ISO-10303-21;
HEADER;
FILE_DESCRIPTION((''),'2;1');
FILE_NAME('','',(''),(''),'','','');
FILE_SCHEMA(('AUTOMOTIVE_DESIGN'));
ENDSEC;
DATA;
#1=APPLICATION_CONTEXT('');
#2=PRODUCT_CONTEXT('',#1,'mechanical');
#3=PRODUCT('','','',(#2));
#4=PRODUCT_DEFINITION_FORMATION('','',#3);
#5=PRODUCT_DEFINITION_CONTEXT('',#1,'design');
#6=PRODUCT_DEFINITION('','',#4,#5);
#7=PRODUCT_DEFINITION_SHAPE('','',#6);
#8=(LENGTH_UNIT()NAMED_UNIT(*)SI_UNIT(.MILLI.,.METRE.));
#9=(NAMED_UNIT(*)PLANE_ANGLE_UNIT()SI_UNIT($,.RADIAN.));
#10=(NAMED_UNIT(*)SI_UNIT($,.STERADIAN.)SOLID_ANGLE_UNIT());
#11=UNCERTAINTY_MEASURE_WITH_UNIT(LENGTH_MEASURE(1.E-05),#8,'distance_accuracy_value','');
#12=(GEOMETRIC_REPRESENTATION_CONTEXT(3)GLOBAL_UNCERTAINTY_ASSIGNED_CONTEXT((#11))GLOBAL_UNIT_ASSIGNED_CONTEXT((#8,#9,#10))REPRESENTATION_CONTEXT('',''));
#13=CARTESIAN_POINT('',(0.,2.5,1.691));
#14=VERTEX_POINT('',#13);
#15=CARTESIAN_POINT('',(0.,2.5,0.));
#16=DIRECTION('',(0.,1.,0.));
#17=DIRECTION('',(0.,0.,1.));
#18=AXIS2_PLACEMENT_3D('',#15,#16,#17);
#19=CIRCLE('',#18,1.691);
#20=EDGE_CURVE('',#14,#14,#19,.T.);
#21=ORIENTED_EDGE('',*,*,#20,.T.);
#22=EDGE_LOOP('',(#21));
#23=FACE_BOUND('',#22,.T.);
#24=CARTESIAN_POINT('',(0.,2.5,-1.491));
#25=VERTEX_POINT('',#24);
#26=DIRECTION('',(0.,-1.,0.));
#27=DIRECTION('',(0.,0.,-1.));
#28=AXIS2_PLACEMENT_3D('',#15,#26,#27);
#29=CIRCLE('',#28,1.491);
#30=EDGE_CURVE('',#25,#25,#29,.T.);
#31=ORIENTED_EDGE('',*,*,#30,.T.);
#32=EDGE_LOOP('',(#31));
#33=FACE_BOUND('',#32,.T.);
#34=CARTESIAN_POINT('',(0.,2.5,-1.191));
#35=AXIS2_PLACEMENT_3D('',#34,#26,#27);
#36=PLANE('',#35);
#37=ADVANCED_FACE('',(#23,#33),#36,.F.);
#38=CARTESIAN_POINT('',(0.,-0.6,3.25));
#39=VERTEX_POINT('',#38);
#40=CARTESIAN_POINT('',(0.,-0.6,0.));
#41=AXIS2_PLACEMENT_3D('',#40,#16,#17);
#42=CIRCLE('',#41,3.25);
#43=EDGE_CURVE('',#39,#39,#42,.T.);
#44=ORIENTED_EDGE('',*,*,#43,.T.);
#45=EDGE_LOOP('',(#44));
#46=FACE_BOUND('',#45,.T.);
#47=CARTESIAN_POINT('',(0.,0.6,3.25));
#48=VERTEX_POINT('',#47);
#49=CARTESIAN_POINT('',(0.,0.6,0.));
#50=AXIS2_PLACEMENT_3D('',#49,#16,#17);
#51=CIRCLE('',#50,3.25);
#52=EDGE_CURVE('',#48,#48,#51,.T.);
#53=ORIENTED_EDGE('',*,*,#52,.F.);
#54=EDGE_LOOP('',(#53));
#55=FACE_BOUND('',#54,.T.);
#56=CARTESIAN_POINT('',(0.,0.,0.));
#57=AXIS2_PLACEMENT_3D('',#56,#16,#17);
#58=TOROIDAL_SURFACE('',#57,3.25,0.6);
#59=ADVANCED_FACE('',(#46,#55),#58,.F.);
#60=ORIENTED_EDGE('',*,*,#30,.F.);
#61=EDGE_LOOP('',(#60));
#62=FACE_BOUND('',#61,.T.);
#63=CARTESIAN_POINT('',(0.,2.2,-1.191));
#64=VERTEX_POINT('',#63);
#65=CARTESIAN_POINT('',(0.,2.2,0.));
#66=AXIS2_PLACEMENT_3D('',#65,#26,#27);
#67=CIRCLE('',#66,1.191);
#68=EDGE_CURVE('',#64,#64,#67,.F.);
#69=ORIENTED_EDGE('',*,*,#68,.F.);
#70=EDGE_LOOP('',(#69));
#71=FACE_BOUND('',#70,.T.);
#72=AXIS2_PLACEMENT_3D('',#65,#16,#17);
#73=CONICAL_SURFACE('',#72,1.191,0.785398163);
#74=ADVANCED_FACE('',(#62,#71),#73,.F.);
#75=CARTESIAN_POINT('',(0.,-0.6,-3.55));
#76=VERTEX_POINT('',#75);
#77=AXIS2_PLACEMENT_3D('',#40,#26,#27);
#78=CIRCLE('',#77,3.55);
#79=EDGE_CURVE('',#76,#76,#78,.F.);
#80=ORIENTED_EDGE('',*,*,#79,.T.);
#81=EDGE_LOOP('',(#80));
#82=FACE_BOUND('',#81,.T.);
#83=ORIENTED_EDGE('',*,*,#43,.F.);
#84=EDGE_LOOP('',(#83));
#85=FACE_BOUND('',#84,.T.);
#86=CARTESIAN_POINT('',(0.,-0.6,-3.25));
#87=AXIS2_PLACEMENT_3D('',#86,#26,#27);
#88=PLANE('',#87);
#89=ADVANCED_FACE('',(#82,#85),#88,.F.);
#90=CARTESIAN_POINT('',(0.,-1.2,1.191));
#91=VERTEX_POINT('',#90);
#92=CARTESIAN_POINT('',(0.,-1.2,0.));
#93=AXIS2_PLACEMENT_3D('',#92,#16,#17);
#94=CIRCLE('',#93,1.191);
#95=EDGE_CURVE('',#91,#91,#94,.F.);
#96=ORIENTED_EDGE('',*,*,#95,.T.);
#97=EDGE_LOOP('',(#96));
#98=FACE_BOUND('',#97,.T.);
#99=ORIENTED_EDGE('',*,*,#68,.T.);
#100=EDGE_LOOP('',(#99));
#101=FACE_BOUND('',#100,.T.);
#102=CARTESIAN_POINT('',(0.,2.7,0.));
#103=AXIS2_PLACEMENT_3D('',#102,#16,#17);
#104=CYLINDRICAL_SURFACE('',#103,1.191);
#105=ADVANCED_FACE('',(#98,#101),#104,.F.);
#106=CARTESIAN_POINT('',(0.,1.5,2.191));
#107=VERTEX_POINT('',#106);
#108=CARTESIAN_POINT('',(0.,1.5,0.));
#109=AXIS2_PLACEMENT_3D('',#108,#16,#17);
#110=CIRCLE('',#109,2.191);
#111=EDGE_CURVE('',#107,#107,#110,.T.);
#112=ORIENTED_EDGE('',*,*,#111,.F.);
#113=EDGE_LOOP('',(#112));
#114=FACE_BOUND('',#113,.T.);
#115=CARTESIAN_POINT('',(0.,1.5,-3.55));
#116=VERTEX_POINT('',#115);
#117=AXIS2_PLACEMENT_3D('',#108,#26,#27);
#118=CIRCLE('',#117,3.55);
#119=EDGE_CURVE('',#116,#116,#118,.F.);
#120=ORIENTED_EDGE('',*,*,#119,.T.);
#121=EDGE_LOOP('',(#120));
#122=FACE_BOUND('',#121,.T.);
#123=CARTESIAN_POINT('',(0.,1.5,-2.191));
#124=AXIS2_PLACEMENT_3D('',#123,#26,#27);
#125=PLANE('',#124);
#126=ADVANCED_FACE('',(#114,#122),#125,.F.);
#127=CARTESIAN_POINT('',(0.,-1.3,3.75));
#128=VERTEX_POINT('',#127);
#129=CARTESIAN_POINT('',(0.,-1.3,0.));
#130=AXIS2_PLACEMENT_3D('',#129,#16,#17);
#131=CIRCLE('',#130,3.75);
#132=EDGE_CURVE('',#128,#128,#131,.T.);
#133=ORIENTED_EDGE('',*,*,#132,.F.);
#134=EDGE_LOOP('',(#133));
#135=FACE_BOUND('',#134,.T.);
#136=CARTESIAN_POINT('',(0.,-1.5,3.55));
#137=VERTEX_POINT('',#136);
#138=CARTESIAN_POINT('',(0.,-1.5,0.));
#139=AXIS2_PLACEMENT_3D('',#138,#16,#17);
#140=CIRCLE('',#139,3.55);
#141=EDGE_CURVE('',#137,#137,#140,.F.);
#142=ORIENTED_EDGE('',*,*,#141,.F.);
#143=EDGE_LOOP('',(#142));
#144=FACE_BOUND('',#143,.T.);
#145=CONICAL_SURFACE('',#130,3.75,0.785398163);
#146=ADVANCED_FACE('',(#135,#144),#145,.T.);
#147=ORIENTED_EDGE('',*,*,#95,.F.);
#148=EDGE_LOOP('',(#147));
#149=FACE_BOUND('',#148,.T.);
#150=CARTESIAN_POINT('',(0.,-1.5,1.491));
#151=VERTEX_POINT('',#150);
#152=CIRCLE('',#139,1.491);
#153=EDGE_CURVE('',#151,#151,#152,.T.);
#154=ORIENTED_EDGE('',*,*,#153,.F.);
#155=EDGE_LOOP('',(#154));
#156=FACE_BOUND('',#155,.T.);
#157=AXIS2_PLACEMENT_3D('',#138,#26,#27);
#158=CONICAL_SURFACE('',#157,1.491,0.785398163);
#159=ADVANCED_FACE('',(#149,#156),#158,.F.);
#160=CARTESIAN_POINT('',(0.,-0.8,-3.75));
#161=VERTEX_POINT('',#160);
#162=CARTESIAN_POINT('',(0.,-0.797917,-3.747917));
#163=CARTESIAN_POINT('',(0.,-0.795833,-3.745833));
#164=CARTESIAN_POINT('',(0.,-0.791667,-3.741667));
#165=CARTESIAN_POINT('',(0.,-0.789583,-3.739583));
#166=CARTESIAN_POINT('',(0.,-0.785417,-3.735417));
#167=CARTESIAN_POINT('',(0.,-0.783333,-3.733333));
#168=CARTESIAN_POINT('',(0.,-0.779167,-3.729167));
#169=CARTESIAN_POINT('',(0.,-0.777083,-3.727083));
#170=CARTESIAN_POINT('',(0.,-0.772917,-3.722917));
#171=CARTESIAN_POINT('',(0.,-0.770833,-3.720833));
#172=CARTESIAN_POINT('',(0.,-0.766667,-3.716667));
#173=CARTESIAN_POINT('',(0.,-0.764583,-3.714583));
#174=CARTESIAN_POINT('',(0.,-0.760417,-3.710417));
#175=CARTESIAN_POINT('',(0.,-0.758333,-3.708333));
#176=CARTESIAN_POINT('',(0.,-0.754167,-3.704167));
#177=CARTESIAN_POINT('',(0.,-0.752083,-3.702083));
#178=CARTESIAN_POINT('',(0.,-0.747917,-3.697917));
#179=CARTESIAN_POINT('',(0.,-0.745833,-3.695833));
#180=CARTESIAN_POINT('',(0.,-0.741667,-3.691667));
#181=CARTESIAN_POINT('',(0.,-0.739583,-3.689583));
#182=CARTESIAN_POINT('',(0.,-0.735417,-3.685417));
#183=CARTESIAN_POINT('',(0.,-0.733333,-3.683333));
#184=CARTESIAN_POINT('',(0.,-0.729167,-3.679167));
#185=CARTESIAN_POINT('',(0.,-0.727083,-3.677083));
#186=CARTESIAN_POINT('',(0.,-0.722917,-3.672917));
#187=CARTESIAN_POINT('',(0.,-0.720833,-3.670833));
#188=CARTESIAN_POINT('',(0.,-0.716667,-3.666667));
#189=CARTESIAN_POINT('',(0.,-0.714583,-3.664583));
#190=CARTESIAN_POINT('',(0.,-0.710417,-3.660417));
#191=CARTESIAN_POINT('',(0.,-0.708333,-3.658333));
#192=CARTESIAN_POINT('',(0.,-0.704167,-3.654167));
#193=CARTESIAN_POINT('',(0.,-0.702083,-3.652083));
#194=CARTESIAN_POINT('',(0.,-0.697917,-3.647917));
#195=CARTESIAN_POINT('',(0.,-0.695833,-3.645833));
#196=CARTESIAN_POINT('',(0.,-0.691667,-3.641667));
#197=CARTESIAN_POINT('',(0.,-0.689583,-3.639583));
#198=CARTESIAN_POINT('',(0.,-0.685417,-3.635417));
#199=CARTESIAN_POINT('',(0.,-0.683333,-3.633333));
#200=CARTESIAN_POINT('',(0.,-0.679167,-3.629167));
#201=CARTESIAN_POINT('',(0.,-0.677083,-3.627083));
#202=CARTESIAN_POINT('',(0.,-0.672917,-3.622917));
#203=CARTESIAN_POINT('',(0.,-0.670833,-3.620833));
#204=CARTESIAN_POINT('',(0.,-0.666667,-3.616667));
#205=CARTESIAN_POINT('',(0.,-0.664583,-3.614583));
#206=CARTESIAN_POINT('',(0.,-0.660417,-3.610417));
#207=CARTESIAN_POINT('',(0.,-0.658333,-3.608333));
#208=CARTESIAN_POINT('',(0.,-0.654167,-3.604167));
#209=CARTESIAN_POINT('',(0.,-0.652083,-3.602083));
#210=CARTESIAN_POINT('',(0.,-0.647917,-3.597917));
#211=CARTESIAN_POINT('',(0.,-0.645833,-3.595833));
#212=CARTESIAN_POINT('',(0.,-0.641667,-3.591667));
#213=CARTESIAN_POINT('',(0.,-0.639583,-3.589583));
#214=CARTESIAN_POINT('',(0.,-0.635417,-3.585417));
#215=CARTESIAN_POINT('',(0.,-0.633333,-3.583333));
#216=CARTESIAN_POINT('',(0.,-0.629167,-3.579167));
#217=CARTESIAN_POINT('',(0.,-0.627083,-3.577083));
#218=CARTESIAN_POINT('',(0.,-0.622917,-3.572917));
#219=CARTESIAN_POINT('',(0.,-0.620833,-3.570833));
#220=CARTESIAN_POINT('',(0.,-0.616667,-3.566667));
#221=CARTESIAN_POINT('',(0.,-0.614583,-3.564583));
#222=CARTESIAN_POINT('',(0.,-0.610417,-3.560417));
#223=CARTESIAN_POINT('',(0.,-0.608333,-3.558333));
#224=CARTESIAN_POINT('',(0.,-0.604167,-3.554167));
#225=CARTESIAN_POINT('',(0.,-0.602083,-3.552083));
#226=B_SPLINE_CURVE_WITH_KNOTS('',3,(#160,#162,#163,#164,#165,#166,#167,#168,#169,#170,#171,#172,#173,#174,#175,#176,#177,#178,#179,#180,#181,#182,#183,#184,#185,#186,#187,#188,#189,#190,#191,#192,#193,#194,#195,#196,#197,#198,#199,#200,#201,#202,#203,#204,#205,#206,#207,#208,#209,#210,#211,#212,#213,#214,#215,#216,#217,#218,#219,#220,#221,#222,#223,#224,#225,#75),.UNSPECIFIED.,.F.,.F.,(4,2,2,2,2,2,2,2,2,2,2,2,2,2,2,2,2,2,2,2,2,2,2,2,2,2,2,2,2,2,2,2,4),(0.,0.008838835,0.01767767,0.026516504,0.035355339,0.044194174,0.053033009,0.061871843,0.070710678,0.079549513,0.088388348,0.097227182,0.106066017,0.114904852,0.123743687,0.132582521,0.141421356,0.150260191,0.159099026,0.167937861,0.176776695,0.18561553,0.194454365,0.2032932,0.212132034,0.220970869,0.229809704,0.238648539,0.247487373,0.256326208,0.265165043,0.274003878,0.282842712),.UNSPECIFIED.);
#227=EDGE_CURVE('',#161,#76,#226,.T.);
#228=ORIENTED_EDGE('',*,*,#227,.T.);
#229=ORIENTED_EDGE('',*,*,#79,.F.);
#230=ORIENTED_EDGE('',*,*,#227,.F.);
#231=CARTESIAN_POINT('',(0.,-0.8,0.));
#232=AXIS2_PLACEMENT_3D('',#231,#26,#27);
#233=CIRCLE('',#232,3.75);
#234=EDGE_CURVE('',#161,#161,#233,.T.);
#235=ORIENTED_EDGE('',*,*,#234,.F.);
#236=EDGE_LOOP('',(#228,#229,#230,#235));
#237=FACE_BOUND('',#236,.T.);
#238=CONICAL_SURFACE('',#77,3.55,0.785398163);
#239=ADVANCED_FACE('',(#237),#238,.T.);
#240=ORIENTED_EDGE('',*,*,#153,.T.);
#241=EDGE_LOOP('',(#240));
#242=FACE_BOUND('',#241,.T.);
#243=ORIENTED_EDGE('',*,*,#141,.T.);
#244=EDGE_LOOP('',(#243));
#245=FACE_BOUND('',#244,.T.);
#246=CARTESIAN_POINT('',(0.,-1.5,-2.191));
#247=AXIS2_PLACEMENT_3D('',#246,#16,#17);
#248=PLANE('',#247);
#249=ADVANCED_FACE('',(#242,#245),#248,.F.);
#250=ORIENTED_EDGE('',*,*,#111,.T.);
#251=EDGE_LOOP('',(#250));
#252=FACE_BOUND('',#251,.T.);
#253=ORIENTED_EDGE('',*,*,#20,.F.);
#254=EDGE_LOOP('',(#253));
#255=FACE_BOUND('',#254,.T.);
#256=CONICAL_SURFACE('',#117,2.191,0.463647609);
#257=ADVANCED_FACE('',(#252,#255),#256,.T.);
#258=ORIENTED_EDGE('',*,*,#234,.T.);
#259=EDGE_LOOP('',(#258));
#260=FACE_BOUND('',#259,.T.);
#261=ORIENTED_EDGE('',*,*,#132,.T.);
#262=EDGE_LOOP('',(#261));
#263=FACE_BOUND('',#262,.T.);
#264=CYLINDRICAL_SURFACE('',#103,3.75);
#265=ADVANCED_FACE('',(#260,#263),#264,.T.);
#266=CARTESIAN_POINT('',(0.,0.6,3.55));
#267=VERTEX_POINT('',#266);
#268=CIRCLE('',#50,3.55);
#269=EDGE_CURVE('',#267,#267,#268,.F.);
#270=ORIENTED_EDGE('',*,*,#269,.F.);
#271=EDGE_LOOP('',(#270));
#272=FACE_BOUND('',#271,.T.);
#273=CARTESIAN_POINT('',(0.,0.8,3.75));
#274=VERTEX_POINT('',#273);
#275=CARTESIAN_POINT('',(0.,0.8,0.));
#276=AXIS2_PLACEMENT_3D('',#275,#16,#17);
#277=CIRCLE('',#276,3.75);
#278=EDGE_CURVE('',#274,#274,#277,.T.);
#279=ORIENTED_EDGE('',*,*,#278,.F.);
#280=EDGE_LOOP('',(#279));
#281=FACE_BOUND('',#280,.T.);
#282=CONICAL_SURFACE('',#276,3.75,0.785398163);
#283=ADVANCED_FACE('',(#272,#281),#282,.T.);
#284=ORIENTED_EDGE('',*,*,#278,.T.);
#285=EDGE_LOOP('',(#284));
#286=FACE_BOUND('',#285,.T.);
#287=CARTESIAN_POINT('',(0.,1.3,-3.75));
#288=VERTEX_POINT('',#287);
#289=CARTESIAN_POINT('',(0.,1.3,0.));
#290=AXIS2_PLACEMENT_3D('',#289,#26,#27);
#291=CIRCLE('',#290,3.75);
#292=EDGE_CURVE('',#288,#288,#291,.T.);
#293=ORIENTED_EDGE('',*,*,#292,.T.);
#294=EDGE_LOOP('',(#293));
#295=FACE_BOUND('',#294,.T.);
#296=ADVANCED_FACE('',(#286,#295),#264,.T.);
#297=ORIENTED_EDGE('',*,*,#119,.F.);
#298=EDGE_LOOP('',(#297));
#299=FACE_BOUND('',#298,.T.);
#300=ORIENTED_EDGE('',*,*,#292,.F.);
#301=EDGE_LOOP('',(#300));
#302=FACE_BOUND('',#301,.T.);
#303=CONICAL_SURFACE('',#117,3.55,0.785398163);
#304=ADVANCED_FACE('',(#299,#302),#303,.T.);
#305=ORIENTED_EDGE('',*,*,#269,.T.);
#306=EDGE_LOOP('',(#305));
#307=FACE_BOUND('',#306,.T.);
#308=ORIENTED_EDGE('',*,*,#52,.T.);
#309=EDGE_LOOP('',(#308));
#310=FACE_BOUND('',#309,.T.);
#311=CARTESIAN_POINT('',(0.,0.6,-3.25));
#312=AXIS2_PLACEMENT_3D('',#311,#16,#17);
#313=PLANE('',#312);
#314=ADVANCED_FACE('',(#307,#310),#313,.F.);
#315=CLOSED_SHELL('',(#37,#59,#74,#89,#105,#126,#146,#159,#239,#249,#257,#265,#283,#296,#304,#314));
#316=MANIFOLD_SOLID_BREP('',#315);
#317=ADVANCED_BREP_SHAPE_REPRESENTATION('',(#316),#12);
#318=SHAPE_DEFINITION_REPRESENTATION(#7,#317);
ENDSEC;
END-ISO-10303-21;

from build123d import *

# Parameters (mm, degrees)
CHAMFER1_SIZE = 0.3
CHAMFER2_SIZE = 0.2


with BuildPart() as part:
    # Sketch1 → Revolve1 (revolve)
    with BuildSketch(Plane(origin=(0, 0, 0), x_dir=(0, 0, -1), z_dir=(1, 0, 0)), mode=Mode.PRIVATE) as revolve1_sk:
        with BuildLine():
            Line((1.191, 2.5), (1.191, -1.5))
            Line((1.191, -1.5), (2.191, -1.5))
            Line((2.191, -1.5), (3.75, -1.5))
            Line((3.75, -1.5), (3.75, -0.6))
            Line((3.75, -0.6), (3.25, -0.6))
            ThreePointArc((3.25, -0.6), (2.65, 0), (3.25, 0.6))
            Line((3.25, 0.6), (3.75, 0.6))
            Line((3.75, 0.6), (3.75, 1.5))
            Line((3.75, 1.5), (2.191, 1.5))
            Line((2.191, 1.5), (1.691, 2.5))
            Line((1.691, 2.5), (1.191, 2.5))
        make_face()
    revolve(revolve1_sk.sketch.rotate(Axis((0, 2.7, 0), (0, -1, 0)), 180), axis=Axis((0, 2.7, 0), (0, -1, 0)))

    # Chamfer1
    chamfer1_edges = [part.edges().sort_by_distance(p)[0] for p in [
        (0, -1.5, -1.191),
        (0, 2.5, -1.191),
    ]]
    chamfer(chamfer1_edges, length=CHAMFER1_SIZE)

    # Chamfer2
    chamfer2_edges = [part.edges().sort_by_distance(p)[0] for p in [
        (0, 1.5, -3.75),
        (0, 0.6, -3.75),
        (0, -0.6, -3.75),
        (0, -1.5, -3.75),
    ]]
    chamfer(chamfer2_edges, length=CHAMFER2_SIZE)


solid = part.part
